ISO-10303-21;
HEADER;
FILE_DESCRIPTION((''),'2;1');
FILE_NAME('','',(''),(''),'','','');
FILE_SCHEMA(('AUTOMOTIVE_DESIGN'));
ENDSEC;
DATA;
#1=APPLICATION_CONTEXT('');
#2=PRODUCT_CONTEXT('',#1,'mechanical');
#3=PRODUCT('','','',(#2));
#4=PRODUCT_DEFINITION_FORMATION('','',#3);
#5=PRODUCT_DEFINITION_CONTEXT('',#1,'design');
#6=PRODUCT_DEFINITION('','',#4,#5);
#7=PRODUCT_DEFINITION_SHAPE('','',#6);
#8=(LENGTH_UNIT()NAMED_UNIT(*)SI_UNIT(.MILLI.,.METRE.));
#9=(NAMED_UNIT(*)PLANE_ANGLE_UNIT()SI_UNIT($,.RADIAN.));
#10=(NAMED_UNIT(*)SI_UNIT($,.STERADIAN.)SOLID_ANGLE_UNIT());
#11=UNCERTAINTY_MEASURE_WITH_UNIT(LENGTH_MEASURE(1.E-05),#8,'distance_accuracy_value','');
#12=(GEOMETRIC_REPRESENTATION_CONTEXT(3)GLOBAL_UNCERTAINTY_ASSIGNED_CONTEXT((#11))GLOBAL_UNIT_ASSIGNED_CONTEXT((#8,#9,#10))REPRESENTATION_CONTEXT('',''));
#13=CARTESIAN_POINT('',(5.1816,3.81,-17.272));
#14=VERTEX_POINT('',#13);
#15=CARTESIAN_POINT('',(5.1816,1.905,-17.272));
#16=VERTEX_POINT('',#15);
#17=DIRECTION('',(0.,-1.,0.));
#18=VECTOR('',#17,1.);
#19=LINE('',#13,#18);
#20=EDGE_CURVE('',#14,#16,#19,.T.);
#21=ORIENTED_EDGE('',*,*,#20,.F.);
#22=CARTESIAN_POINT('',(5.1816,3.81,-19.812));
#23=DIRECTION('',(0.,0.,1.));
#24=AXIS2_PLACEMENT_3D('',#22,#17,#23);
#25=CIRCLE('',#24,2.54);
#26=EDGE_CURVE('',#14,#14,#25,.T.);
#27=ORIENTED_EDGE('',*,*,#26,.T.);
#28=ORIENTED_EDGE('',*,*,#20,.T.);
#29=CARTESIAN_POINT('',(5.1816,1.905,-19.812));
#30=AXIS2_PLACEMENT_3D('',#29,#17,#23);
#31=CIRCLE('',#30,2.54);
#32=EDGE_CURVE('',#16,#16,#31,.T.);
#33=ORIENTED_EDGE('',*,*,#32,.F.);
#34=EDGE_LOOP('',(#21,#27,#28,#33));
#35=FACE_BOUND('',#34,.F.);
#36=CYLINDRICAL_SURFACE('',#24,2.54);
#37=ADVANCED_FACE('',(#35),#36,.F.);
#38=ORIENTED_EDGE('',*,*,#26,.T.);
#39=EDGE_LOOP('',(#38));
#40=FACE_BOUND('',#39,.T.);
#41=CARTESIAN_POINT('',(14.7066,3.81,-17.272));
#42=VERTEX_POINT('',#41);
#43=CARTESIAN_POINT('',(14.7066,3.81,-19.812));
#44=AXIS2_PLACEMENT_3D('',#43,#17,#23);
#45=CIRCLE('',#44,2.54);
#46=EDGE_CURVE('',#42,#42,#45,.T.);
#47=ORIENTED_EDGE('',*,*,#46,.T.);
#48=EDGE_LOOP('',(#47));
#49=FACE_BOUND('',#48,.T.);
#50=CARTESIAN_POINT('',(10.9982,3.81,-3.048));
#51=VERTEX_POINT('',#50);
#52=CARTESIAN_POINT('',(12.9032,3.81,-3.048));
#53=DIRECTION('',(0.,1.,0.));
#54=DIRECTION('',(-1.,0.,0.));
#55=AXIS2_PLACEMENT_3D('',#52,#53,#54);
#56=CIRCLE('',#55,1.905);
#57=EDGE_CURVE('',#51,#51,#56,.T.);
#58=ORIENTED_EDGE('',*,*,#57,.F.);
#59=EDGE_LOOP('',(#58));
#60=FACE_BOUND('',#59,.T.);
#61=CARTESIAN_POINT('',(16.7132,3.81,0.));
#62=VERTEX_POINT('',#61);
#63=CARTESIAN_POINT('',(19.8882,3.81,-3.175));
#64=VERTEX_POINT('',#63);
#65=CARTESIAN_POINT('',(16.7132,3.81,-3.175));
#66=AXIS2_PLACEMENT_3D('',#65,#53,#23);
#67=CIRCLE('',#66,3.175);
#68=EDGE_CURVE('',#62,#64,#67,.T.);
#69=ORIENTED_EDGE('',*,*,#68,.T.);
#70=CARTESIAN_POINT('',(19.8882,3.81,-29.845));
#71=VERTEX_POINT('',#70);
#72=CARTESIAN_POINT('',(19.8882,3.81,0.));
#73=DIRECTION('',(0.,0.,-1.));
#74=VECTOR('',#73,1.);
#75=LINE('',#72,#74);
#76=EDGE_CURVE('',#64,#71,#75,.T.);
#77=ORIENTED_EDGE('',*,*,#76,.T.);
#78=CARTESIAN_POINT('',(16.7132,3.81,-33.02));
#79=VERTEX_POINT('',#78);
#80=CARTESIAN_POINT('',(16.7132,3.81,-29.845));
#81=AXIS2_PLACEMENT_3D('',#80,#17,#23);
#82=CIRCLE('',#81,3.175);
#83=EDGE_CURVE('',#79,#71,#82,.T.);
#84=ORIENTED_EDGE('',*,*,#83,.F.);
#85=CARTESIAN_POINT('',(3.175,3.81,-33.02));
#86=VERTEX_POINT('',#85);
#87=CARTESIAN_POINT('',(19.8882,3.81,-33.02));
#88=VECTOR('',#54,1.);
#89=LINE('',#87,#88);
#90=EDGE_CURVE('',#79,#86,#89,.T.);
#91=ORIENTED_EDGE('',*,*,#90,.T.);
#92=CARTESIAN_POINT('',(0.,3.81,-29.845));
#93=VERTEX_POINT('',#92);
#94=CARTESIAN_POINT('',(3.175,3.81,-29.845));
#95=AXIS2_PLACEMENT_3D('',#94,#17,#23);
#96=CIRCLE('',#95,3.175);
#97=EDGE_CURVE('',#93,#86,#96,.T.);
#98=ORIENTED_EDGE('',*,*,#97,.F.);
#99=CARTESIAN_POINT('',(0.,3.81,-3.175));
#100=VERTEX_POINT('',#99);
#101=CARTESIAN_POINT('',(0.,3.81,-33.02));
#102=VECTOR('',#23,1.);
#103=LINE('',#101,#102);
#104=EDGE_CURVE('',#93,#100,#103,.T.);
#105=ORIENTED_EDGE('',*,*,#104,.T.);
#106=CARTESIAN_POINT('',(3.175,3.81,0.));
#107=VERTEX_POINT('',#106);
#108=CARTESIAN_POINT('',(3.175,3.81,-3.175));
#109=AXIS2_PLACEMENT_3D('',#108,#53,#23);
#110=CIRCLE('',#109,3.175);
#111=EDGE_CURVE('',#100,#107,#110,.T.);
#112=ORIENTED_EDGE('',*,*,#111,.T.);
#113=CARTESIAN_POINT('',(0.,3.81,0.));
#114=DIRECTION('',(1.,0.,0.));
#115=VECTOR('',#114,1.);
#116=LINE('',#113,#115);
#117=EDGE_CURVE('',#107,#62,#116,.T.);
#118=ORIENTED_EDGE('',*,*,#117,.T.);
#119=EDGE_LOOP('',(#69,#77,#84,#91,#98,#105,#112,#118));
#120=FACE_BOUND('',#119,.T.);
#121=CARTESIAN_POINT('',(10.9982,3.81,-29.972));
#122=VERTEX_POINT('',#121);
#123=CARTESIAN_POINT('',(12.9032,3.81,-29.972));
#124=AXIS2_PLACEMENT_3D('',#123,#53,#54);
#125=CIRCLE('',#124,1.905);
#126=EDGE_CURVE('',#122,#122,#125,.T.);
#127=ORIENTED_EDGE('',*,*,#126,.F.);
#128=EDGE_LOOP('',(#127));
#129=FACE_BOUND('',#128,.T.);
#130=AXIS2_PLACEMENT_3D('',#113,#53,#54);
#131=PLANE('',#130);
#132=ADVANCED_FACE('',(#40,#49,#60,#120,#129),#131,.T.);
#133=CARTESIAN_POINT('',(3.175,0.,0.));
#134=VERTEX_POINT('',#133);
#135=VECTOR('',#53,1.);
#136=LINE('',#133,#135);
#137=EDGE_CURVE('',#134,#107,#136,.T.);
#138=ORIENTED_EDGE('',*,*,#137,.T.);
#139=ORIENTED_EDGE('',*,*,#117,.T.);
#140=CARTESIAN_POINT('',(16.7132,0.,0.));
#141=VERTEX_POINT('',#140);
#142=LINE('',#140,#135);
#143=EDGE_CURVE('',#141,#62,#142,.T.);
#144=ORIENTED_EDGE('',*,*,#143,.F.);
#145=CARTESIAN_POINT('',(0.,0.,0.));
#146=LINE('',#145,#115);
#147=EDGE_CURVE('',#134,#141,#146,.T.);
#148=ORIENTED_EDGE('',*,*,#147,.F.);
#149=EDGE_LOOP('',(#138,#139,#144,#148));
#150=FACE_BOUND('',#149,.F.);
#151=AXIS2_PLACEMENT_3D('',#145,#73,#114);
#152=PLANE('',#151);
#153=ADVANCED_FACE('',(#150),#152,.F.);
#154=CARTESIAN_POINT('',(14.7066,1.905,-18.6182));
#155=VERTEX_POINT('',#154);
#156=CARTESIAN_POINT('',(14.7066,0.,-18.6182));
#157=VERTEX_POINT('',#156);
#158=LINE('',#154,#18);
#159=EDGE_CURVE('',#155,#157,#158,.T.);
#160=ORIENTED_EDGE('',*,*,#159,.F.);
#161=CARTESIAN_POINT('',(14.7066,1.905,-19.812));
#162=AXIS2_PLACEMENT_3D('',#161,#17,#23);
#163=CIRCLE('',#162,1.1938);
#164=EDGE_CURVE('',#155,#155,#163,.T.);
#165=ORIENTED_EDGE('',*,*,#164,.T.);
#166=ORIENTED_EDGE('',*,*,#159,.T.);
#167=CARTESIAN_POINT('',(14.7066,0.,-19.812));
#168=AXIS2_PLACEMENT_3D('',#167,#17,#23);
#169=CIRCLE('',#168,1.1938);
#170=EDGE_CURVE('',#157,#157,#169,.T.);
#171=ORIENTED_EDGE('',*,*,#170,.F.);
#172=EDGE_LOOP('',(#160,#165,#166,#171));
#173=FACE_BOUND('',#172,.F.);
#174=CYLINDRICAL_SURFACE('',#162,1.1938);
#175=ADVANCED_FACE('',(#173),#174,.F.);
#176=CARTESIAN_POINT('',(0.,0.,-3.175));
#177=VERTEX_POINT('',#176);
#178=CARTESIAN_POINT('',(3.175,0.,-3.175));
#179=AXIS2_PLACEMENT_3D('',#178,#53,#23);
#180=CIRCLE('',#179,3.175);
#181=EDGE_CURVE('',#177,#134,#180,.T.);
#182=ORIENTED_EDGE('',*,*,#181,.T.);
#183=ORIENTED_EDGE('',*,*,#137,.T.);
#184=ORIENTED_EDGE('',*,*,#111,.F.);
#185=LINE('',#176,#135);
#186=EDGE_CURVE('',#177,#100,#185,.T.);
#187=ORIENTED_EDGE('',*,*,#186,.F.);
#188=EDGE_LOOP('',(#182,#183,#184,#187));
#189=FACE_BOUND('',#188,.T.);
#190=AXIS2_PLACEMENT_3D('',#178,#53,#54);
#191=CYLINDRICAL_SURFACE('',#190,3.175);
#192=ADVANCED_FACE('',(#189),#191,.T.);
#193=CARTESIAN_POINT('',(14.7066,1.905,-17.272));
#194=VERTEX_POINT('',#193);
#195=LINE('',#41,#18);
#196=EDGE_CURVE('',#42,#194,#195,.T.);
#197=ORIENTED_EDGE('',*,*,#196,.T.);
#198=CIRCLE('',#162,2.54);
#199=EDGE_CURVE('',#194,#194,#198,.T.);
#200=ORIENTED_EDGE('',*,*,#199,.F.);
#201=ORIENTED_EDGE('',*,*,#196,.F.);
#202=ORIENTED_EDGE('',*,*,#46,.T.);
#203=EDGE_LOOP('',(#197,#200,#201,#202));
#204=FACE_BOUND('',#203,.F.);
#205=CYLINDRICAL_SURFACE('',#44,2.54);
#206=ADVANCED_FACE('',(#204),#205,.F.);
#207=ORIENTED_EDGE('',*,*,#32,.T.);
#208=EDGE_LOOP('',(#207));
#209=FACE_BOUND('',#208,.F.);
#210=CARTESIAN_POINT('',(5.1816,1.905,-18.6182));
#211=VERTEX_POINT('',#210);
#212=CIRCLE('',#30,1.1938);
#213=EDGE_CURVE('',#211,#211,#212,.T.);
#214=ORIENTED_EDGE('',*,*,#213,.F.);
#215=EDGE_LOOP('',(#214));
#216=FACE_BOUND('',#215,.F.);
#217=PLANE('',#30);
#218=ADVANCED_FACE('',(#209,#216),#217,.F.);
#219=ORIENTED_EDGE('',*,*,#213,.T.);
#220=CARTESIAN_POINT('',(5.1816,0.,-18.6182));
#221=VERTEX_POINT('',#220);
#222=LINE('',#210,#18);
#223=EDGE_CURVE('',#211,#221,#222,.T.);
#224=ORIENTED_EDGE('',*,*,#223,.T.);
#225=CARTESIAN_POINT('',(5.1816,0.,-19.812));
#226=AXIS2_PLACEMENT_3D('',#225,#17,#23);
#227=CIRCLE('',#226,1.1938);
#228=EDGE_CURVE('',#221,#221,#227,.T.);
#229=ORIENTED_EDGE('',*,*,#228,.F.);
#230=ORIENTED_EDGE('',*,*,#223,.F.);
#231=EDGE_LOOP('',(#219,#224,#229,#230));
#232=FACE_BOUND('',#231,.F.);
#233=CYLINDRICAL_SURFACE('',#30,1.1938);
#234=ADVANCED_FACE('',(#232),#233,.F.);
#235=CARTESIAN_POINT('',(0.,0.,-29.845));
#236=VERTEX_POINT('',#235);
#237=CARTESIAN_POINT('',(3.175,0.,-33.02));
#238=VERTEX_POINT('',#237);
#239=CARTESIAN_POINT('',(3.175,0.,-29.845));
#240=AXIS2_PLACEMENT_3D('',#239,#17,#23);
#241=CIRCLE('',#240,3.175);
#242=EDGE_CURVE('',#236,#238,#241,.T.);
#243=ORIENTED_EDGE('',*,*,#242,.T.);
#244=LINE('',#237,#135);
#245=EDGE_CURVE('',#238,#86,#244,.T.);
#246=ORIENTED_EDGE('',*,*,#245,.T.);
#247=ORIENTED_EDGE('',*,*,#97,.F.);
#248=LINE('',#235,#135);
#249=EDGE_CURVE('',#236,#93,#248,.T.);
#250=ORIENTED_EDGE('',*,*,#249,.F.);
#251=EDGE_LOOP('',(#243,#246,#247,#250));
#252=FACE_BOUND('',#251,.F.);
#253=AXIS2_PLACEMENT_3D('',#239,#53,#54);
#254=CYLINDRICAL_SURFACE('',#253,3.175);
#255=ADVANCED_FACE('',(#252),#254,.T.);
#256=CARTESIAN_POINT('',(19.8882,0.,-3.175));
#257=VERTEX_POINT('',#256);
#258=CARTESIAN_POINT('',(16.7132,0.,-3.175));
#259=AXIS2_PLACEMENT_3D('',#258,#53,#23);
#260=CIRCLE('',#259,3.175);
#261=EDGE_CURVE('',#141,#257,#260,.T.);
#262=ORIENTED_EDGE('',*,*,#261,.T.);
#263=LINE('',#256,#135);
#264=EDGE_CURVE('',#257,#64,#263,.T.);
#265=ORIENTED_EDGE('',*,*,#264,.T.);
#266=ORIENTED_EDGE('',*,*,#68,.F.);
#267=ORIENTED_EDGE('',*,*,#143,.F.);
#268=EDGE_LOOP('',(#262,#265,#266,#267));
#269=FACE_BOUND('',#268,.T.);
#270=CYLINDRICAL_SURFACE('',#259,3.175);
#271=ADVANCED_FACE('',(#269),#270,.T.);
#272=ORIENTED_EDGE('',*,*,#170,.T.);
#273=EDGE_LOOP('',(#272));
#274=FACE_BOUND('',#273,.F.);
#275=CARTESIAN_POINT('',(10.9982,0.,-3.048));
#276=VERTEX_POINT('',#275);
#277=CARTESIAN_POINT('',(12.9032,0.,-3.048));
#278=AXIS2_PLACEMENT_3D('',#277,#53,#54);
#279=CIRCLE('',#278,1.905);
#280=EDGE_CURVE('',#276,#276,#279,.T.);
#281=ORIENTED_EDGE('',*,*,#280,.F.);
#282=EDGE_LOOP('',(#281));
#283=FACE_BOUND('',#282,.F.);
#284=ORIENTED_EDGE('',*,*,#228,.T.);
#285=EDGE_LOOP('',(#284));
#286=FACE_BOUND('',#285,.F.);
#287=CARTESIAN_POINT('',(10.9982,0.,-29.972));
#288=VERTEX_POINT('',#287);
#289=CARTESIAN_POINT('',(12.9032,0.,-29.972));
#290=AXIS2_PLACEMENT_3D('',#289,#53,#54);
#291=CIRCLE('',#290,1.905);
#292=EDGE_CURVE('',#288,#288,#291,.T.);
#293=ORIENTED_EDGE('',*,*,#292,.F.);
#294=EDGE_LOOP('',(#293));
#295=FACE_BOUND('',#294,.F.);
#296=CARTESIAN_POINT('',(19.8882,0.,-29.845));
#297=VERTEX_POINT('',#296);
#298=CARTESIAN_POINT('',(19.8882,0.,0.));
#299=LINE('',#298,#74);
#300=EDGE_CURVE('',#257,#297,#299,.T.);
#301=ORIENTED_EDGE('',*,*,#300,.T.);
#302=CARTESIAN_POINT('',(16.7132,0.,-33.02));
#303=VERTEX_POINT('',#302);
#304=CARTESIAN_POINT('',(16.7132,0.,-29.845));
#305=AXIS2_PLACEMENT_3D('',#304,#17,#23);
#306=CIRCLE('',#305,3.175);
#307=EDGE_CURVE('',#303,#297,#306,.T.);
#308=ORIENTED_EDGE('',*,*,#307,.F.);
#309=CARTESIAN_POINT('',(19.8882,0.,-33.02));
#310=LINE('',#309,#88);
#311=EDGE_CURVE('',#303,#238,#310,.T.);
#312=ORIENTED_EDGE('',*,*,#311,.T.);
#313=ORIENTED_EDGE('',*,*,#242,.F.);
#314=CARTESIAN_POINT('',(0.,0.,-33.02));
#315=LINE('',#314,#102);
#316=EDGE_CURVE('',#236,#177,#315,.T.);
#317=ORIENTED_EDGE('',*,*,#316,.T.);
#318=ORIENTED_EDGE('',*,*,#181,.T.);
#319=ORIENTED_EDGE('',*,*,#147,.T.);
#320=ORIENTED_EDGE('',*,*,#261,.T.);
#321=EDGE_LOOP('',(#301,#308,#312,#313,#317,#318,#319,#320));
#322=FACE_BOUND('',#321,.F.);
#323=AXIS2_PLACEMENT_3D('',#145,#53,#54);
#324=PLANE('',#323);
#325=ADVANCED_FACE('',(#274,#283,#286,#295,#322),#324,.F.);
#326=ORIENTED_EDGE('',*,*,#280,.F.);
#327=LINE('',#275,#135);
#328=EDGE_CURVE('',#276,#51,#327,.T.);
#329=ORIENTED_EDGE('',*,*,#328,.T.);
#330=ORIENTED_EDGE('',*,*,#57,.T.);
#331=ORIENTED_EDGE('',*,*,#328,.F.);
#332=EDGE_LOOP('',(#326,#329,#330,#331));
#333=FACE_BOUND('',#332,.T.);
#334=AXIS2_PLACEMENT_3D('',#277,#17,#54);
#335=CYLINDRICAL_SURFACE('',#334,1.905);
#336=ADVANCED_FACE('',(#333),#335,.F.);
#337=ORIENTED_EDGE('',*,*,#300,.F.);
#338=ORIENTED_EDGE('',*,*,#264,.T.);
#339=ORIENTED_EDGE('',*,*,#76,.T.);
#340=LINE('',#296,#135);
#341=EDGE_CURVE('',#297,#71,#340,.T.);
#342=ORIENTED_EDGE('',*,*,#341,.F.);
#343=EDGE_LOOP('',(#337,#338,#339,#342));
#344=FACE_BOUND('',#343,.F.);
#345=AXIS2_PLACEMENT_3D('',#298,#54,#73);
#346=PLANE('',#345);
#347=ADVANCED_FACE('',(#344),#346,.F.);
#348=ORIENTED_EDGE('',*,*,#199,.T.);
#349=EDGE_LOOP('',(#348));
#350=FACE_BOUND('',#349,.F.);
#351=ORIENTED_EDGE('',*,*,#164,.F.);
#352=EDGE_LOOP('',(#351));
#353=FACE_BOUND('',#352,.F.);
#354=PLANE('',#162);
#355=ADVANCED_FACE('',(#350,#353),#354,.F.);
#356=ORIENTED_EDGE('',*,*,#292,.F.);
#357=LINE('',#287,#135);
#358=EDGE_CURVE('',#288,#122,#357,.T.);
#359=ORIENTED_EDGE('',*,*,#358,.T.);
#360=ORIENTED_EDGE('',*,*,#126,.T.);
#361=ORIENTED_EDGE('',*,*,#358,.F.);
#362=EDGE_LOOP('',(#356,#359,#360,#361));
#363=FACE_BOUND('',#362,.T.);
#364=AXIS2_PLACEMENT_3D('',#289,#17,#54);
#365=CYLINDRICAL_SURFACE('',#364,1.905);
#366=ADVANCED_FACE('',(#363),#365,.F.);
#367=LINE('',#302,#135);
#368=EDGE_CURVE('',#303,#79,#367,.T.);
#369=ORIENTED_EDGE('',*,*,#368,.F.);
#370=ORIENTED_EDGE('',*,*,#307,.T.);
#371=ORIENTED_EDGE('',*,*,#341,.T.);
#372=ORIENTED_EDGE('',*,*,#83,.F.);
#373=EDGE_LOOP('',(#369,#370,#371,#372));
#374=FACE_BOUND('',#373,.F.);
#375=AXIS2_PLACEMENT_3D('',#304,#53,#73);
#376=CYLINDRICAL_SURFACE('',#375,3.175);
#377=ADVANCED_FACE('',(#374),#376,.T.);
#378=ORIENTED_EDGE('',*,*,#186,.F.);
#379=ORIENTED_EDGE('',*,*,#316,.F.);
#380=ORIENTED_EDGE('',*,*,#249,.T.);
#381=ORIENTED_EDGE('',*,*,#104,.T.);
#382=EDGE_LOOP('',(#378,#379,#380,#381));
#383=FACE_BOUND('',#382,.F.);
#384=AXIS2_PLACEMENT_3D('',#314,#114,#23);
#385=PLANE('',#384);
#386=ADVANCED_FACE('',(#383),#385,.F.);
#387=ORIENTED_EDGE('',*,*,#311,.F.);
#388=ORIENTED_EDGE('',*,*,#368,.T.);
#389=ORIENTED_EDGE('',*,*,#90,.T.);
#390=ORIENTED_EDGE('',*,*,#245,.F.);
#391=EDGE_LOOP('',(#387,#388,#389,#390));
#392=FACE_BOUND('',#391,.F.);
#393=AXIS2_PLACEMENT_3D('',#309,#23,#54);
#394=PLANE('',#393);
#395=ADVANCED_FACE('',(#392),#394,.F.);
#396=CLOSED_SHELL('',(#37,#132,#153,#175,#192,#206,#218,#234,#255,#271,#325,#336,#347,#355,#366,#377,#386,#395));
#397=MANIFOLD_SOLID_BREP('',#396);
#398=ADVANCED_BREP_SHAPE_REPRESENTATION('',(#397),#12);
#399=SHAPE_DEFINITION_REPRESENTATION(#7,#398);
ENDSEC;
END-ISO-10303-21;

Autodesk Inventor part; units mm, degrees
ref_plane "YZ Plane" through (0, 0, 0) normal (1, 0, 0) x (0, 1, 0)
ref_plane "XZ Plane" through (0, 0, 0) normal (0, 1, 0) x (-1, 0, 0)
ref_plane "XY Plane" through (0, 0, 0) normal (0, 0, 1) x (1, 0, 0)
sketch "Sketch1" plane through (0, 0, 0) normal (0, 1, 0) x (-1, 0, 0)
  line L0 (0, 0) -> (-19.8882, 0)
  line L1 (-19.8882, 0) -> (-19.8882, -33.02)
  line L2 (-19.8882, -33.02) -> (0, -33.02)
  line L3 (0, -33.02) -> (0, 0)
  circle A0 centre (-12.9032, -3.048) radius 1.905
  circle A1 centre (-12.9032, -29.972) radius 1.905
  dimension "d0" = 19.8882
  dimension "d1" = 33.02
  dimension "d2" = 3.81
  dimension "d3" = 3.048
  dimension "d4" = 6.985
  dimension "d5" = 3.81
  dimension "d6" = 3.048
extrude "Extrusion1" add sketch "Sketch1" along normal blind 3.81
sketch "Sketch2" plane through (0, 3.81, 0) normal (0, 1, 0) x (1, 0, 0)
  circle A0 centre (5.1816, 19.812) radius 1.1938
  circle A1 centre (14.7066, 19.812) radius 1.1938
  circle A2 centre (12.9032, 3.048) radius 1.905 projected
  point P0 (0, 0)
  dimension "d9" = 2.3876
  dimension "d10" = 2.3876
  dimension "d11" = 7.7216
  dimension "d12" = 1.8034
  dimension "d13" = 16.764
  dimension "d14" = 16.764
hole "Hole1" at (5.1816, 3.81, -19.812) at (14.7066, 3.81, -19.812) direction (0, -1, 0) diameter 2.3876 end through all counterbore diameter 5.08 counterbore depth 1.905
fillet "Fillet1" radius 3.175 4 edges at (19.8882, 1.905, -33.02) (0, 1.905, -33.02) (19.8882, 1.905, 0) (0, 1.905, 0)
properties part number "SwitchHolderTNutRight"
